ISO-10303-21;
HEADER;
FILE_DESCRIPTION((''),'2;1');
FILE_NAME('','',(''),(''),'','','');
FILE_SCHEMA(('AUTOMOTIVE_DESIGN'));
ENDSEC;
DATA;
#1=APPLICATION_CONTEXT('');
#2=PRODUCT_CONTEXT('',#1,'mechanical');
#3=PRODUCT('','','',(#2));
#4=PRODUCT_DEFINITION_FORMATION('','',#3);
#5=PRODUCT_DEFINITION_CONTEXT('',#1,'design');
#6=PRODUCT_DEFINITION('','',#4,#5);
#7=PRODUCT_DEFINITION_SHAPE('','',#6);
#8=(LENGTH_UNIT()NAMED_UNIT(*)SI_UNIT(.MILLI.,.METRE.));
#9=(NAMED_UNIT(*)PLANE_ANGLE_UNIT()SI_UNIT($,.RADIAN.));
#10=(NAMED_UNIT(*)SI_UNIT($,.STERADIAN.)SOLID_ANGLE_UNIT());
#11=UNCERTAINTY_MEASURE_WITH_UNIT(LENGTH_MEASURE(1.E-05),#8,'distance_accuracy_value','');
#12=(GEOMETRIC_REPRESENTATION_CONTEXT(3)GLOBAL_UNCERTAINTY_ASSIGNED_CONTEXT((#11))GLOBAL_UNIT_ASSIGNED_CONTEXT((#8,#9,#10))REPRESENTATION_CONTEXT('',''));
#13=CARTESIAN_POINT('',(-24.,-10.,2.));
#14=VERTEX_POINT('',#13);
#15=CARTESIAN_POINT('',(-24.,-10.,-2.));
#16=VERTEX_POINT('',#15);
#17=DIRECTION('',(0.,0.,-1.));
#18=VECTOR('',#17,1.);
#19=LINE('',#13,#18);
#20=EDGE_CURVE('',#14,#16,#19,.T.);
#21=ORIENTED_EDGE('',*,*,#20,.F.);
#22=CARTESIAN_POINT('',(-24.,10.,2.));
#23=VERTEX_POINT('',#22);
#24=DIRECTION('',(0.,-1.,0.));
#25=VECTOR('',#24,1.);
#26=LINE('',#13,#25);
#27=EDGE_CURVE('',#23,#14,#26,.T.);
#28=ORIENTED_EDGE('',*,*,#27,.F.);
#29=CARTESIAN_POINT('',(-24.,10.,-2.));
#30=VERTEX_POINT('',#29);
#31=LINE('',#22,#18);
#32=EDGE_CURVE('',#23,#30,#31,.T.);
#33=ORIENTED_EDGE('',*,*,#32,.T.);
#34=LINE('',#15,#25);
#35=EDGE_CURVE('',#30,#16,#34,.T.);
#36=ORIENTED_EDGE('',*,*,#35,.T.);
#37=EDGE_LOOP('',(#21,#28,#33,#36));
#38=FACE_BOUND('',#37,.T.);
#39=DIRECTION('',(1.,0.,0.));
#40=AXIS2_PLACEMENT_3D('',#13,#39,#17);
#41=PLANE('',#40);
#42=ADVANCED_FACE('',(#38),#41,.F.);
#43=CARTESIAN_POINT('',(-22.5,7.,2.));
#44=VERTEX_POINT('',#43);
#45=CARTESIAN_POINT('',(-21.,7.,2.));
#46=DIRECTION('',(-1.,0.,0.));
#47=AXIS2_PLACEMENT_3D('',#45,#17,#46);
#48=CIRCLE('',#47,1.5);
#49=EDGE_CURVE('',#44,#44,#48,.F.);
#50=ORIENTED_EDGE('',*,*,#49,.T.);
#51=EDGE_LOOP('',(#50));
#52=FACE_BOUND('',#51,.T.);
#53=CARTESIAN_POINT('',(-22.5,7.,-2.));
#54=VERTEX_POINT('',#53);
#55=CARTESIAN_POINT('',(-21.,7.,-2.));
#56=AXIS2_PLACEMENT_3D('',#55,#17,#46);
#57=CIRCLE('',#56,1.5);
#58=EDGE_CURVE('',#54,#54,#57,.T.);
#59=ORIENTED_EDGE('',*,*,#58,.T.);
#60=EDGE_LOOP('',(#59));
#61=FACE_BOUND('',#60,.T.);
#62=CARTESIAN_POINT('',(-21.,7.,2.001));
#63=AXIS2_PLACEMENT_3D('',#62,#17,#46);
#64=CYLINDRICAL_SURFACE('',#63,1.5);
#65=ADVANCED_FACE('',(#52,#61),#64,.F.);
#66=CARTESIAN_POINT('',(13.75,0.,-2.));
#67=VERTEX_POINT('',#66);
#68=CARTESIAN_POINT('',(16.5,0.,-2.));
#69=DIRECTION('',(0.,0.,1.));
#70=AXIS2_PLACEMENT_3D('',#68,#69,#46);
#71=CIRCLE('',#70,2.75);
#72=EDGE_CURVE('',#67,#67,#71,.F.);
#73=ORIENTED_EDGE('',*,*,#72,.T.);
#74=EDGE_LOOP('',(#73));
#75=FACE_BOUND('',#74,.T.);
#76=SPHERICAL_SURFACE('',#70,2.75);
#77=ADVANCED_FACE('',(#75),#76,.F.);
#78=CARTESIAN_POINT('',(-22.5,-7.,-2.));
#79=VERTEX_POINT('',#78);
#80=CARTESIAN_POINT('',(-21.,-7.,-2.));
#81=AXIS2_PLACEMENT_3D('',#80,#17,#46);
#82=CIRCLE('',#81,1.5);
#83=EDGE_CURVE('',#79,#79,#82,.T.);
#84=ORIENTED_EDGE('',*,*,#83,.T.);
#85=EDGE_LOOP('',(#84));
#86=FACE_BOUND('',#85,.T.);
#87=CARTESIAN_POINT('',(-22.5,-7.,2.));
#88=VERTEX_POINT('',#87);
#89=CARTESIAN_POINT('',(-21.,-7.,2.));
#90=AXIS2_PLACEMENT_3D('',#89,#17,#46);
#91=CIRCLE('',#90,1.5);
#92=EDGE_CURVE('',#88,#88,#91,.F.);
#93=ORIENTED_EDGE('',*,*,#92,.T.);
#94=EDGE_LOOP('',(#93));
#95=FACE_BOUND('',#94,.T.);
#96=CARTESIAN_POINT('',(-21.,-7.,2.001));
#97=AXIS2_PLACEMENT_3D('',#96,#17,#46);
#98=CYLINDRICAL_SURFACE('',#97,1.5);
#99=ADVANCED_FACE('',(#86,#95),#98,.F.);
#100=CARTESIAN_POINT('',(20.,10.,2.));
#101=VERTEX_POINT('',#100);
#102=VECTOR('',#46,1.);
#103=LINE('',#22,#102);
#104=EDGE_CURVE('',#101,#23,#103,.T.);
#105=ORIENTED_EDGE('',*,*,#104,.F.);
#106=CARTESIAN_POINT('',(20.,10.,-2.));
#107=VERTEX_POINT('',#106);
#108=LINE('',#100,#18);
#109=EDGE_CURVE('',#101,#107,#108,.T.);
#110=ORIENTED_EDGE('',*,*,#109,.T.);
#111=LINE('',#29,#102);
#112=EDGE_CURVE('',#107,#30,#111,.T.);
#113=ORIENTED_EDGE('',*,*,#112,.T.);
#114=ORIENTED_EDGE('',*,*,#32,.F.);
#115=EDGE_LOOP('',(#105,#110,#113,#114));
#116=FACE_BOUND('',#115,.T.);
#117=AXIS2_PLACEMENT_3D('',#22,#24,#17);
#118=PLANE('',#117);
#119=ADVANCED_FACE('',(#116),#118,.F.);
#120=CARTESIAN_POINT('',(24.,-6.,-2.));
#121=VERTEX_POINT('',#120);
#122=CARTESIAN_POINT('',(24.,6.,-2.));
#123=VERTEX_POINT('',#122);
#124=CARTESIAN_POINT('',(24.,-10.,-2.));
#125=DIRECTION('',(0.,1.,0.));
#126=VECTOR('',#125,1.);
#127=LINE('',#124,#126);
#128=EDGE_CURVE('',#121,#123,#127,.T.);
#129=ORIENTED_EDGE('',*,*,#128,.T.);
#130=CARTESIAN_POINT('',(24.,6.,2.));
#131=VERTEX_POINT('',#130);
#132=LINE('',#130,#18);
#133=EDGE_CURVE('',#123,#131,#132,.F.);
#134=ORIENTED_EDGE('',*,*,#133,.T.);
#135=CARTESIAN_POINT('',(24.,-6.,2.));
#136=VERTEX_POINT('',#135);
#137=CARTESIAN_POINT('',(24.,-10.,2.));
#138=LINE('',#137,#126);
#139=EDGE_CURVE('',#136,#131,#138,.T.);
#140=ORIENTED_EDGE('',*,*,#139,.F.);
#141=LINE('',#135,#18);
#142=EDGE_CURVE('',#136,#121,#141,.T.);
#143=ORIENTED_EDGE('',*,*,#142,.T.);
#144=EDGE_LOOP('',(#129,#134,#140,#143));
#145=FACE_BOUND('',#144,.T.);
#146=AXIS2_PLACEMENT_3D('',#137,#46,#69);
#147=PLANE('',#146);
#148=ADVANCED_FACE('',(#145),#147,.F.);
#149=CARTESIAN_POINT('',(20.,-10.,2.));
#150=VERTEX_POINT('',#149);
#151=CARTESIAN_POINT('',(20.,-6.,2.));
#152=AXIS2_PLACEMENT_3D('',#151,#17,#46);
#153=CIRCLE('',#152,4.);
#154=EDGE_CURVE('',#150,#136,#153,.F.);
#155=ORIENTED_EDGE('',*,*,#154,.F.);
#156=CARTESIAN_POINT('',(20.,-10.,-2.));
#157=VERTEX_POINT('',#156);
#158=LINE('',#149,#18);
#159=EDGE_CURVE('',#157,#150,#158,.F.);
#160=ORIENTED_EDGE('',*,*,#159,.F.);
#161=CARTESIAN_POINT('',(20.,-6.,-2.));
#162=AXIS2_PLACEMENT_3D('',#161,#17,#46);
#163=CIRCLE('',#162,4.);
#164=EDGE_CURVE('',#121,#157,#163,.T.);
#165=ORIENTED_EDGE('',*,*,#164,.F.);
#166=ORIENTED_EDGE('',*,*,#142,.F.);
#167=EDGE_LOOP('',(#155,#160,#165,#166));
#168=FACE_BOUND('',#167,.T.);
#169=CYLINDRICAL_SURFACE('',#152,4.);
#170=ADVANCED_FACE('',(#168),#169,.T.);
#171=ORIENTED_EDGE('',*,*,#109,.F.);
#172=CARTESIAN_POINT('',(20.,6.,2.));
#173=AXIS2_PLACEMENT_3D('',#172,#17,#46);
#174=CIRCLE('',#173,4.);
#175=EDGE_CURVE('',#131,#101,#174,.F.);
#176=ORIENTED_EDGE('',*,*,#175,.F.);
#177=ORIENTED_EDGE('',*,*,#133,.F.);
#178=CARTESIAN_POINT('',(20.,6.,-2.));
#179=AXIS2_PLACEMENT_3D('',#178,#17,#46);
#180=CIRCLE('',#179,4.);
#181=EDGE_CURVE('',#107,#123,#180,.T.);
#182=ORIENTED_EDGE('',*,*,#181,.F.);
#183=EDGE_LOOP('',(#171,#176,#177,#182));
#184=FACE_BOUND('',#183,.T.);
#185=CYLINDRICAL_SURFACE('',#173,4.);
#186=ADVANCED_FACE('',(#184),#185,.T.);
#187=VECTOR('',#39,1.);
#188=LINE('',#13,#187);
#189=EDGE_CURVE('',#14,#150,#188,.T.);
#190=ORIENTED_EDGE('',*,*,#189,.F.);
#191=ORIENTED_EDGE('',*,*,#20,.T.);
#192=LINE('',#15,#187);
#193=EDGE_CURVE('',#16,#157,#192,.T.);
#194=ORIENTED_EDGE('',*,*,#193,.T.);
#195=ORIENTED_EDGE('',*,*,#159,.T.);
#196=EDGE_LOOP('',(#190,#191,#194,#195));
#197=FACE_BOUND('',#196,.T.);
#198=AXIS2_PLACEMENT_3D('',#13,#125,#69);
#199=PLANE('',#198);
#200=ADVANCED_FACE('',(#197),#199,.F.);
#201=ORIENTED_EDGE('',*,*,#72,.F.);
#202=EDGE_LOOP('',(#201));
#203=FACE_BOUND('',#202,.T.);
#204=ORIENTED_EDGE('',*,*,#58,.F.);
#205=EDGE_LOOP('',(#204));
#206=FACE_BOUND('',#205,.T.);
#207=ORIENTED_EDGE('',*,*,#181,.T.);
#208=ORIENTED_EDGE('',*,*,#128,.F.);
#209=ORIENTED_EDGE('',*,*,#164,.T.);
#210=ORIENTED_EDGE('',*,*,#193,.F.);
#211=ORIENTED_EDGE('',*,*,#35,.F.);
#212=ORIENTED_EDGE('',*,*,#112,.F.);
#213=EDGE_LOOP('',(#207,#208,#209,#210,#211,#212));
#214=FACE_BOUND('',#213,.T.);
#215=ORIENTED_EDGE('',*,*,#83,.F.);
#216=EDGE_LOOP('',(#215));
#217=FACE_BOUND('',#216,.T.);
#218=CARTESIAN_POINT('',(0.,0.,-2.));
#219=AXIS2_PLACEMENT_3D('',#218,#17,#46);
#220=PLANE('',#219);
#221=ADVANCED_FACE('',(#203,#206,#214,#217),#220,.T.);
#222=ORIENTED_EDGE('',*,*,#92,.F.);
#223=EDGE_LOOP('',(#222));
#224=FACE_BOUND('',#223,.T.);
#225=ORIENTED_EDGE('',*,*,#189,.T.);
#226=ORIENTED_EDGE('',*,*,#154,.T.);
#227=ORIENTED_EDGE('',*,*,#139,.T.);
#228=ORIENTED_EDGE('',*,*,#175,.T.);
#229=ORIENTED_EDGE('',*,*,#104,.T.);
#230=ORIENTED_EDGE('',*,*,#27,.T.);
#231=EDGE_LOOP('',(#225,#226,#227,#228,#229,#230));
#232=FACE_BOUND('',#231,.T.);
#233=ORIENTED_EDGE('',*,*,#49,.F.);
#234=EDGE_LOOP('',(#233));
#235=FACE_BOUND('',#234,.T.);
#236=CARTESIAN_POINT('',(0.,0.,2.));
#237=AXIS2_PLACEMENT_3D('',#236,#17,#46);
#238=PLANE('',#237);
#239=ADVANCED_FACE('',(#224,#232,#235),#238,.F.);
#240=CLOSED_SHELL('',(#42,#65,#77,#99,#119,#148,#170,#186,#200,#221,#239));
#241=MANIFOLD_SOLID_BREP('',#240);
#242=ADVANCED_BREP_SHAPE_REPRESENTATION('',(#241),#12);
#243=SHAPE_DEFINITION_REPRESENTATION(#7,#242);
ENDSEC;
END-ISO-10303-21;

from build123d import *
from build123d.topology import SkipClean

# Parameters (mm, degrees)
SKETCH1_W           = 48
SKETCH1_H           = 20
BOSS_EXTRUDE1_DEPTH = 2
FILLET2_R           = 4
CUT_EXTRUDE1_REACH  = 28.306
SKETCH4_R           = 1.5
CUT_REVOLVE1_ANGLE  = 180


with BuildPart() as part:
    # Sketch1 → Boss-Extrude1 (new, symmetric)
    with BuildSketch(Plane.XY):
        Rectangle(SKETCH1_W, SKETCH1_H)
    extrude(amount=BOSS_EXTRUDE1_DEPTH, both=True)

    # Fillet2
    fillet2_edges = [part.edges().sort_by_distance(p)[0] for p in [
        (24, -10, 0),
        (24, 10, 0),
    ]]
    fillet(fillet2_edges, radius=FILLET2_R)

    # Sketch4 → Cut-Extrude1 (cut, up to next)
    with BuildSketch(Plane(origin=(0, 0, -2), x_dir=(-1, 0, 0), z_dir=(0, 0, -1)), mode=Mode.PRIVATE) as cut_extrude1_sk1:
        with Locations((21, 7)):
            Circle(SKETCH4_R)
    cut_extrude1_tool1 = extrude(cut_extrude1_sk1.sketch, amount=-CUT_EXTRUDE1_REACH, mode=Mode.PRIVATE) & part.part
    # Sketch4 → Cut-Extrude1 (cut, up to next)
    with BuildSketch(Plane(origin=(0, 0, -2), x_dir=(-1, 0, 0), z_dir=(0, 0, -1)), mode=Mode.PRIVATE) as cut_extrude1_sk2:
        with Locations((21, -7)):
            Circle(SKETCH4_R)
    cut_extrude1_tool2 = extrude(cut_extrude1_sk2.sketch, amount=-CUT_EXTRUDE1_REACH, mode=Mode.PRIVATE) & part.part
    add(cut_extrude1_tool1.solids().sort_by_distance((-21, 7, -2))[0], mode=Mode.SUBTRACT)
    add(cut_extrude1_tool2.solids().sort_by_distance((-21, -7, -2))[0], mode=Mode.SUBTRACT)

    # Sketch3 → Cut-Revolve1 (revolve, cut)
    with SkipClean():  # the faces are left unmerged after this step: merging them gives an invalid solid
        with BuildSketch(Plane.XY.offset(-2)):
            with BuildLine():
                ThreePointArc((19.25, 0), (16.5, 2.75), (13.75, 0))
                Line((13.75, 0), (19.25, 0))
            make_face()
            with BuildLine():
                Line((19.25, 0), (13.75, 0))
                ThreePointArc((13.75, 0), (16.5, -2.75), (19.25, 0))
            make_face()
        revolve(axis=Axis((13.75, 0, -2), (1, 0, 0)), revolution_arc=CUT_REVOLVE1_ANGLE, mode=Mode.SUBTRACT)


solid = part.part
